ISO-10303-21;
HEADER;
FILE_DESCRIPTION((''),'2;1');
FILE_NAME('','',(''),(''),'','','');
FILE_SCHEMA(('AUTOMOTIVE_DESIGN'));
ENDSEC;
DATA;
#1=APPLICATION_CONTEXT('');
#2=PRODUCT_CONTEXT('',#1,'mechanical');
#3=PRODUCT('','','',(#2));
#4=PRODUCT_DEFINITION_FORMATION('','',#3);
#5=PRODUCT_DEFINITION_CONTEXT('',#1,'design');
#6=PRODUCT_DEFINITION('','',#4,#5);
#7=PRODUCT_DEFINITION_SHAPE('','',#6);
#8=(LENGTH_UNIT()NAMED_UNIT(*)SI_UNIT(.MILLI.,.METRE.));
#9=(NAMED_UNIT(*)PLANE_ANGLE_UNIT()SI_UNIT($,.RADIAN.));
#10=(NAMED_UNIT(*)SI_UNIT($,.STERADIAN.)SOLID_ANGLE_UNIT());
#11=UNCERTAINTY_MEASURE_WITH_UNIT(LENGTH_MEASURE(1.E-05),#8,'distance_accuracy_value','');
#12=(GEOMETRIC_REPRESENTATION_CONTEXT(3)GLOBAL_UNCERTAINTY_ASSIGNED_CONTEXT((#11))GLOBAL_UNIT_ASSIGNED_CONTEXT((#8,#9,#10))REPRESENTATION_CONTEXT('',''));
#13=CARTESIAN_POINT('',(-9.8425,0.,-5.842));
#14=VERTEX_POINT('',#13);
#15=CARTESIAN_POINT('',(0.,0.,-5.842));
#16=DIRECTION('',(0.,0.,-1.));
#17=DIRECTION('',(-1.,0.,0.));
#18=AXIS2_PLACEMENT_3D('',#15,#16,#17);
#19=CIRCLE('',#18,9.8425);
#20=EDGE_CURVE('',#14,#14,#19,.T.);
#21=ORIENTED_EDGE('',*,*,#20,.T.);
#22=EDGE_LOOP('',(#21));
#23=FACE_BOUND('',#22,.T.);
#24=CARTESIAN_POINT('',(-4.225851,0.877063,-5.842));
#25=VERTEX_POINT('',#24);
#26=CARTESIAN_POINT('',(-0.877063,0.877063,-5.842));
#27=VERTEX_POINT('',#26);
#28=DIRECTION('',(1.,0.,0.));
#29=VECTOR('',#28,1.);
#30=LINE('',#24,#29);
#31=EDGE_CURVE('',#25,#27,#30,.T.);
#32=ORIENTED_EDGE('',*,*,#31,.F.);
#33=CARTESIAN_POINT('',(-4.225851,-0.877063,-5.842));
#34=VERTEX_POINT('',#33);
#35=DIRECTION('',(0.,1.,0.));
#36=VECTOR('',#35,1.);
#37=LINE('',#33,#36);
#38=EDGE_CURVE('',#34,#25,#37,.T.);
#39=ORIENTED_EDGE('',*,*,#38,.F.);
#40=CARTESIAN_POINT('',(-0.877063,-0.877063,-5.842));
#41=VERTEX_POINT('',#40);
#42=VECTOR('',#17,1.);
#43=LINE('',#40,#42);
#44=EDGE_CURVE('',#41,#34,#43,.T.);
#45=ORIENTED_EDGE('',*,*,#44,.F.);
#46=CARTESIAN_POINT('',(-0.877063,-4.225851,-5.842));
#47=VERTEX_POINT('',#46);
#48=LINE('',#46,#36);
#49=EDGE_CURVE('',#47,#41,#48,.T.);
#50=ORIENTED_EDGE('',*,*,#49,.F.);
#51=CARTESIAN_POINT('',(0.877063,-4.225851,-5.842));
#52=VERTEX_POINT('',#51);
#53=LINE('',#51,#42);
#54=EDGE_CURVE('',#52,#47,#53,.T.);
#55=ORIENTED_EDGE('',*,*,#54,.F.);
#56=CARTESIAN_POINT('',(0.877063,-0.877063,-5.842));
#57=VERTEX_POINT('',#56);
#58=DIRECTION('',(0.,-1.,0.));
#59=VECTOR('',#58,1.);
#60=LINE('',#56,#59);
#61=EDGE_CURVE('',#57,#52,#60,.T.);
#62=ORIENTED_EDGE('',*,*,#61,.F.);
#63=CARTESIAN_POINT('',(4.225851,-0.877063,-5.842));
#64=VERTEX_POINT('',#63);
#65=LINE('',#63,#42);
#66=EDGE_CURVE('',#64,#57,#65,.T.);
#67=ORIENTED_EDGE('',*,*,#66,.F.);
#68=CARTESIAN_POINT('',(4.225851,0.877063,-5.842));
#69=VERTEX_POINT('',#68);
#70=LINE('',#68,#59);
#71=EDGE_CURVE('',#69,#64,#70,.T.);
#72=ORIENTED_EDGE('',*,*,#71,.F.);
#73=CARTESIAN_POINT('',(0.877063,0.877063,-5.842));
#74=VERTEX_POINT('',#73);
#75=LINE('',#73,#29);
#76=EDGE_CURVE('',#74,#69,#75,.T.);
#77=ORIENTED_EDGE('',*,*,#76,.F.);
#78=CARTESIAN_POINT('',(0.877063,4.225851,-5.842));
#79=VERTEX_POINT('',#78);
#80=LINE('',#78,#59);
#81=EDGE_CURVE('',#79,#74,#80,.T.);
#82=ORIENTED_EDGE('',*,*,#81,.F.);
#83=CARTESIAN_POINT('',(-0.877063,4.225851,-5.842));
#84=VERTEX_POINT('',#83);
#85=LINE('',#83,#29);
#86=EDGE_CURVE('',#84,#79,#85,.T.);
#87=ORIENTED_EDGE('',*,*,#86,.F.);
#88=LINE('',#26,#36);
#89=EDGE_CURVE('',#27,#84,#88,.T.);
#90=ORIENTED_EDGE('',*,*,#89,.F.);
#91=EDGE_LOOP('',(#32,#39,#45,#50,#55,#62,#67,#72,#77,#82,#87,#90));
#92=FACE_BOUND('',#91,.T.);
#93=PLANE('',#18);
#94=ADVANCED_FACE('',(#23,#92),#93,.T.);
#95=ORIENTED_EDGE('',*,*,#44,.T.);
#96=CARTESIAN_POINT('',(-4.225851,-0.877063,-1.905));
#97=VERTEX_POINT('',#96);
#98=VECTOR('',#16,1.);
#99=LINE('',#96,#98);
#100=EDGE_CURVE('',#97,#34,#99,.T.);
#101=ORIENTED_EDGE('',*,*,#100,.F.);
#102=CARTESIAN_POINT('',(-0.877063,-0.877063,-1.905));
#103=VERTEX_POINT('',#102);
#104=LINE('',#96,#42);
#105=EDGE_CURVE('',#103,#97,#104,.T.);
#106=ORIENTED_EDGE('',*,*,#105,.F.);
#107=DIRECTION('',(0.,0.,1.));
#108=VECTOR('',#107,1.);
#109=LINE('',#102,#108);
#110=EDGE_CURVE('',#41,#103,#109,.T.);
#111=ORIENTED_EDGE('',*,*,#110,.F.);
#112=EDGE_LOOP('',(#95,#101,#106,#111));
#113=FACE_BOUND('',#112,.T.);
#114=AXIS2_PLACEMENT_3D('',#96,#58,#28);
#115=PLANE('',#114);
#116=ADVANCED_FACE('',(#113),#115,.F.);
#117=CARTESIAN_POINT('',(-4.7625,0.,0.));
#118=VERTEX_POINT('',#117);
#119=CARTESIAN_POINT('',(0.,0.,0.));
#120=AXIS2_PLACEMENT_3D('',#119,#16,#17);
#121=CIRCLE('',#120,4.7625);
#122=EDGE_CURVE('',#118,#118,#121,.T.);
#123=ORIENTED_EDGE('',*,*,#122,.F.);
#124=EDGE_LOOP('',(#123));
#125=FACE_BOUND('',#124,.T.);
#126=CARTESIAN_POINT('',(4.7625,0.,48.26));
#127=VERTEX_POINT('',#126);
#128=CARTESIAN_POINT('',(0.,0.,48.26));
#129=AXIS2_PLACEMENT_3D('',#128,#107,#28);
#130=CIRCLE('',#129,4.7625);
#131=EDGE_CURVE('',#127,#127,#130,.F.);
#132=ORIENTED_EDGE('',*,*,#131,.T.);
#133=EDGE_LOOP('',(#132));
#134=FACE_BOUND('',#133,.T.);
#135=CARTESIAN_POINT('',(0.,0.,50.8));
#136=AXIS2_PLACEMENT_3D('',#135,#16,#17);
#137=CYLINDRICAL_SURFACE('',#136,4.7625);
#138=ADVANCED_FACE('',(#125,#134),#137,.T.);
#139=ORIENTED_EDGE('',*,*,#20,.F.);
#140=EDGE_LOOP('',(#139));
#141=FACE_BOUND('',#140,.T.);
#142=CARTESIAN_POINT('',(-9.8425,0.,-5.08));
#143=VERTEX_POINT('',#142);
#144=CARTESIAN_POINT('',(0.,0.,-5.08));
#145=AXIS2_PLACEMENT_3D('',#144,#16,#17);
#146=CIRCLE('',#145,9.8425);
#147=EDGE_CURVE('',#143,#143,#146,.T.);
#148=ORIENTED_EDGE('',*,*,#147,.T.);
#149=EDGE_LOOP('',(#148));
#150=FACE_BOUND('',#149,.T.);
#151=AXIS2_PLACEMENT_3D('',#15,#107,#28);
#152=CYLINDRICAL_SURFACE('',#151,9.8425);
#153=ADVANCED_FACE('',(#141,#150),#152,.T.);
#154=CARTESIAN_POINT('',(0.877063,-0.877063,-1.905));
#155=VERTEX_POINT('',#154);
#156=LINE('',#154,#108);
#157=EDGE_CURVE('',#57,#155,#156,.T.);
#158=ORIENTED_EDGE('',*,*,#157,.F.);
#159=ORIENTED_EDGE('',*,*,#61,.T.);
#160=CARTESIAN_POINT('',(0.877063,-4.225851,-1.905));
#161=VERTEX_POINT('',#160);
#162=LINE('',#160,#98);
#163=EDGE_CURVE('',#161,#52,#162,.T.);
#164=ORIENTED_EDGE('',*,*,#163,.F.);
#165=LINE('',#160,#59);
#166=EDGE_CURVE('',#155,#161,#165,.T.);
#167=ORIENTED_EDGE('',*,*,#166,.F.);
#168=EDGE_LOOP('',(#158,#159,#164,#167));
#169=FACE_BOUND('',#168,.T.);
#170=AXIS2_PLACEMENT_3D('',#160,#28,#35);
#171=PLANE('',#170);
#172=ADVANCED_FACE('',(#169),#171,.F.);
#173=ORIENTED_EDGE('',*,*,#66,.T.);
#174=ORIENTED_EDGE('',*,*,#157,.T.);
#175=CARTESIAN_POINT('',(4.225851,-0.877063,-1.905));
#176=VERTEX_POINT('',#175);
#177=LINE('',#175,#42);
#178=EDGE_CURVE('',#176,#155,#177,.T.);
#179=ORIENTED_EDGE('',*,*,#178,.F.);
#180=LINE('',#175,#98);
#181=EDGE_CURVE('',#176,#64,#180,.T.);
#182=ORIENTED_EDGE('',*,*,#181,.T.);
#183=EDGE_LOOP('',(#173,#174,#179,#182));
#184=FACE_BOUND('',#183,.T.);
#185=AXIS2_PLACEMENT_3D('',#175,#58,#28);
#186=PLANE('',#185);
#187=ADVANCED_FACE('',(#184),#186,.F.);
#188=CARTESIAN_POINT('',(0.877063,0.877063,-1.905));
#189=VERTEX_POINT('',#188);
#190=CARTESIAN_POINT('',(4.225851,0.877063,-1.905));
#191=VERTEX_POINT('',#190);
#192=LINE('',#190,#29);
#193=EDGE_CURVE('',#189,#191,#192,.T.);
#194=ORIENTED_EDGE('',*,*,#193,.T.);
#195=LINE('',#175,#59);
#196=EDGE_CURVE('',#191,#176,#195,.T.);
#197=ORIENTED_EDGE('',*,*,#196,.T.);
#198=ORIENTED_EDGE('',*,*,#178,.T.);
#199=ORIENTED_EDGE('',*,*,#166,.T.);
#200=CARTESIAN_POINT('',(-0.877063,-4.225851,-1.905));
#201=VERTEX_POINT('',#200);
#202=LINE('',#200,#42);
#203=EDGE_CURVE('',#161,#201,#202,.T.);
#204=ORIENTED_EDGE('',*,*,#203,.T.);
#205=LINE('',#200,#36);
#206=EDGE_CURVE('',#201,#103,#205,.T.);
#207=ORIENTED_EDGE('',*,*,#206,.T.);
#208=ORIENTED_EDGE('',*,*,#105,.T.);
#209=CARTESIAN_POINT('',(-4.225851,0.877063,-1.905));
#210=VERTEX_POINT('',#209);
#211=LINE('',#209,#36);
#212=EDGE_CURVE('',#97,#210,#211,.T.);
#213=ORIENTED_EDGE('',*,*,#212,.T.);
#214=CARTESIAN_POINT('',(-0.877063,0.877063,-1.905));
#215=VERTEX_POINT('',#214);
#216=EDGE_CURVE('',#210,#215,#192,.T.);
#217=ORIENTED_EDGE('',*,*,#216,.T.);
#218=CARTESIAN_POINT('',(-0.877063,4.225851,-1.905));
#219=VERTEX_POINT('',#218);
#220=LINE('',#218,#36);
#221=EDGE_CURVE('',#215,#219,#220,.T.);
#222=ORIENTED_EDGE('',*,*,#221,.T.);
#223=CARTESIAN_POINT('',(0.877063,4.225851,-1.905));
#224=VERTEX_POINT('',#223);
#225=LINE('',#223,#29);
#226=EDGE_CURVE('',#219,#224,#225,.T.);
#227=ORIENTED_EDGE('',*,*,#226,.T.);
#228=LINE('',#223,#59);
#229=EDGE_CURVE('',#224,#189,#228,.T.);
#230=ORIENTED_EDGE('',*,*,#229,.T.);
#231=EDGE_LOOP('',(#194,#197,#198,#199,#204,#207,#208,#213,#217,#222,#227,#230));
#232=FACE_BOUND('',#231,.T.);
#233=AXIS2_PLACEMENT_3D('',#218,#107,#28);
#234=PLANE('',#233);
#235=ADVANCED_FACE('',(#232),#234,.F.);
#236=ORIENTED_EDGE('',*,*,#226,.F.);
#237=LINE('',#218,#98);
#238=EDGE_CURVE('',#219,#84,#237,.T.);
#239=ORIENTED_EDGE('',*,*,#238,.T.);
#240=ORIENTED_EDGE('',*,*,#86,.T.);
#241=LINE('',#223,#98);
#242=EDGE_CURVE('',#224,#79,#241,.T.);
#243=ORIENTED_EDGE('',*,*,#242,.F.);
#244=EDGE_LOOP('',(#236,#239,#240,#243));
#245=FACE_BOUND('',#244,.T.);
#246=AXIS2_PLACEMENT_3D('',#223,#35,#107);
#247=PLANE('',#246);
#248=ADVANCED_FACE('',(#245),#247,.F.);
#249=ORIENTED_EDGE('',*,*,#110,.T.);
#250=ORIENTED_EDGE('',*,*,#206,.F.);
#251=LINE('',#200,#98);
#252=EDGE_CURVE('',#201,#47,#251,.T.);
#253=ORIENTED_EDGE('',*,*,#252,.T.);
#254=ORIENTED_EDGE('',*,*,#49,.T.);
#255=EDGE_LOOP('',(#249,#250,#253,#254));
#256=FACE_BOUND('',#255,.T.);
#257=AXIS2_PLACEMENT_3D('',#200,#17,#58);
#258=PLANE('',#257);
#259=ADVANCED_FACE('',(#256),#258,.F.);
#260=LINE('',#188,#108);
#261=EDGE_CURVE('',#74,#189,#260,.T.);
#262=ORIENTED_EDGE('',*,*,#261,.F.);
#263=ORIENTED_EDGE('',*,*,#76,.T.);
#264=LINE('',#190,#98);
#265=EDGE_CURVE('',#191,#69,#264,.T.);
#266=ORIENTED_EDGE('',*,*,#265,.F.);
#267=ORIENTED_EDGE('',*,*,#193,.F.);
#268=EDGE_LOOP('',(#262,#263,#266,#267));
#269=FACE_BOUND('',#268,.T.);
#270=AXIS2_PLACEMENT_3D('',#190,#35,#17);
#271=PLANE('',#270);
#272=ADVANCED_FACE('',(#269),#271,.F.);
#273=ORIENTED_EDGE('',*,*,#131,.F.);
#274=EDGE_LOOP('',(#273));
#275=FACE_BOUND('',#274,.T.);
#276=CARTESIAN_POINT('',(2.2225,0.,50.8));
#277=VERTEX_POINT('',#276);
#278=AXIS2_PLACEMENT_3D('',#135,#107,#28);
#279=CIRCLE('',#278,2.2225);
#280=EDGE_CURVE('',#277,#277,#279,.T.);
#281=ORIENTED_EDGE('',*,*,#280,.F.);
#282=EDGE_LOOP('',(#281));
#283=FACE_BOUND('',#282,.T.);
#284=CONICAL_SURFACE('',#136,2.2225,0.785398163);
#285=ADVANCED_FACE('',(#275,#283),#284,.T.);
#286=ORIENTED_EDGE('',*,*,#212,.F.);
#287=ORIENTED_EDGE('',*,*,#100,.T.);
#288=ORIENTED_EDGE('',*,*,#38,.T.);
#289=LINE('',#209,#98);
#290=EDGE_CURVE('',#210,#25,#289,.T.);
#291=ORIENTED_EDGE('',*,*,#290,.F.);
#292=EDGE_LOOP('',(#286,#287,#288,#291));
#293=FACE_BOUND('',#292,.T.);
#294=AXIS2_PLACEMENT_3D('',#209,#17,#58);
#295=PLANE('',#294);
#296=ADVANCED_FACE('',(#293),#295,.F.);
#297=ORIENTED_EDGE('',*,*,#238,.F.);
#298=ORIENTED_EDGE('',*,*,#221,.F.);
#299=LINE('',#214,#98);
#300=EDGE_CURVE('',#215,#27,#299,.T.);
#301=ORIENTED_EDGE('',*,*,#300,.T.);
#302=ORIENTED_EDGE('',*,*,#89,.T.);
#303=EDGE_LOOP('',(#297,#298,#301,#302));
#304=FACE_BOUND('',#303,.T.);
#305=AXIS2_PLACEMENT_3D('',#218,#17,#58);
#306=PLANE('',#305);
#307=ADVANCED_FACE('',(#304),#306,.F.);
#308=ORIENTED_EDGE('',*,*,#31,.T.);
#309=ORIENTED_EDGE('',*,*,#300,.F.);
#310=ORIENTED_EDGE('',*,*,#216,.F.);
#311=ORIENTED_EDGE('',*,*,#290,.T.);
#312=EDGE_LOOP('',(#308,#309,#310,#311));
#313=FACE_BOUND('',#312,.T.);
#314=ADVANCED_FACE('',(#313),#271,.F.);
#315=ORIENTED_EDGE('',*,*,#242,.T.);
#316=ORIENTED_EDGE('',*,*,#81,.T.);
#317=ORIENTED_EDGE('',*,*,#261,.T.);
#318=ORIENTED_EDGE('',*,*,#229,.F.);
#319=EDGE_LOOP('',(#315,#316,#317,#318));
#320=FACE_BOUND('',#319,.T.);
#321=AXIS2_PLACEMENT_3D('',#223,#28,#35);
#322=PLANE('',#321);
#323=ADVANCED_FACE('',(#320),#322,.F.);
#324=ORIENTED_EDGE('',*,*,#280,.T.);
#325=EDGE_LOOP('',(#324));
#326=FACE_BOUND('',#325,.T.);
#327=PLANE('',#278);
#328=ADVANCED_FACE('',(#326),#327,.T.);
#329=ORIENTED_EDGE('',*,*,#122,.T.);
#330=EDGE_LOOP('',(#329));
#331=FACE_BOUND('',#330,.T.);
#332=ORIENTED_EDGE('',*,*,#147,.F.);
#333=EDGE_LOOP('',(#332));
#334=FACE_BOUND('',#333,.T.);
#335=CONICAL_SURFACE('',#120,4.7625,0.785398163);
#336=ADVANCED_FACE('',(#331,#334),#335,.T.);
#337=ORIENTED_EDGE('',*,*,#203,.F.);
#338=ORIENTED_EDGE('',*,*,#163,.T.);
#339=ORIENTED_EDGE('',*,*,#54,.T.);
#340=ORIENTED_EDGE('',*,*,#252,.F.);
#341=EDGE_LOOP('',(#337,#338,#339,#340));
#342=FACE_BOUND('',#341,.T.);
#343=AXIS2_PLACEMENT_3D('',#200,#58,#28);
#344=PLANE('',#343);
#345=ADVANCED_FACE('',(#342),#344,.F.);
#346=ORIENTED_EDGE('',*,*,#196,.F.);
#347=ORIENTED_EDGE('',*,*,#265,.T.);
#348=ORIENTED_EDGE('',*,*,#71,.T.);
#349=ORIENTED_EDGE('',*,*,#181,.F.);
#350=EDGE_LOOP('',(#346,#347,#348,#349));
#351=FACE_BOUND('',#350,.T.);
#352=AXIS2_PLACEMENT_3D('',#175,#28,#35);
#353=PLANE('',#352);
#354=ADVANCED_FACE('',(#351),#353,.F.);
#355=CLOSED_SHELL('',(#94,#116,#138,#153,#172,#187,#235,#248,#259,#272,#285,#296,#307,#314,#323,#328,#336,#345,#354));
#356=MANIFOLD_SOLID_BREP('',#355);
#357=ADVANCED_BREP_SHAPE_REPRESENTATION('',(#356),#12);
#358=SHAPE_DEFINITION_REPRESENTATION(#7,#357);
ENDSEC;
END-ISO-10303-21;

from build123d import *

# Parameters (mm, degrees)
SKETCH1_R           = 4.7625
BASE_EXTRUDE_DEPTH  = 50.8
SKETCH2_R           = 4.7625
BOSS_EXTRUDE1_DEPTH = 5.08
BOSS_EXTRUDE1_TAPER = -45
SKETCH3_W           = 1.754126852
SKETCH3_H           = 4.225851054
CUT_EXTRUDE1_DEPTH  = 3.175
CIRPATTERN1_COUNT   = 4
SKETCH4_R           = 9.8425
BOSS_EXTRUDE2_DEPTH = 0.762
CHAMFER1_SIZE       = 2.54


with BuildPart() as part:
    # Sketch1 → Base-Extrude (new body)
    with BuildSketch(Plane.XY):
        Circle(SKETCH1_R)
    extrude(amount=BASE_EXTRUDE_DEPTH)

    # Sketch2 → Boss-Extrude1 (add)
    with BuildSketch(Plane(origin=(0, 0, 0), x_dir=(-1, 0, 0), z_dir=(0, 0, -1))):
        Circle(SKETCH2_R)
    extrude(amount=BOSS_EXTRUDE1_DEPTH, taper=BOSS_EXTRUDE1_TAPER)

    # Sketch3 → Cut-Extrude1 (cut)
    with BuildSketch(Plane(origin=(0, 0, -5.08), x_dir=(-1, 0, 0), z_dir=(0, 0, -1))):
        with Locations((0, 2.112925527)):
            Rectangle(SKETCH3_W, SKETCH3_H)
    cut_extrude1 = extrude(amount=-CUT_EXTRUDE1_DEPTH, mode=Mode.SUBTRACT)

    # CirPattern1: Cut-Extrude1 ×4 about axis
    cirpattern1_axis = Axis((0, 0, 0), (0, 0, -1))
    for i in range(1, CIRPATTERN1_COUNT):
        add(cut_extrude1.rotate(cirpattern1_axis, i * 360 / CIRPATTERN1_COUNT), mode=Mode.SUBTRACT)

    # Sketch4 → Boss-Extrude2 (add)
    with BuildSketch(Plane(origin=(0, 0, -5.08), x_dir=(-1, 0, 0), z_dir=(0, 0, -1))):
        Circle(SKETCH4_R)
        Polygon((-0.877063426, 0.877063426), (-4.225851054, 0.877063426), (-4.225851054, -0.877063426), (-0.877063426, -0.877063426), (-0.877063426, -4.225851054), (0.877063426, -4.225851054), (0.877063426, -0.877063426), (4.225851054, -0.877063426), (4.225851054, 0.877063426), (0.877063426, 0.877063426), (0.877063426, 4.225851054), (-0.877063426, 4.225851054), align=None, mode=Mode.SUBTRACT)
    extrude(amount=BOSS_EXTRUDE2_DEPTH)

    # Chamfer1
    chamfer1_edges = [part.edges().sort_by_distance(p)[0] for p in [
        (-4.7625, 0, 50.8),
    ]]
    chamfer(chamfer1_edges, length=CHAMFER1_SIZE)


solid = part.part
